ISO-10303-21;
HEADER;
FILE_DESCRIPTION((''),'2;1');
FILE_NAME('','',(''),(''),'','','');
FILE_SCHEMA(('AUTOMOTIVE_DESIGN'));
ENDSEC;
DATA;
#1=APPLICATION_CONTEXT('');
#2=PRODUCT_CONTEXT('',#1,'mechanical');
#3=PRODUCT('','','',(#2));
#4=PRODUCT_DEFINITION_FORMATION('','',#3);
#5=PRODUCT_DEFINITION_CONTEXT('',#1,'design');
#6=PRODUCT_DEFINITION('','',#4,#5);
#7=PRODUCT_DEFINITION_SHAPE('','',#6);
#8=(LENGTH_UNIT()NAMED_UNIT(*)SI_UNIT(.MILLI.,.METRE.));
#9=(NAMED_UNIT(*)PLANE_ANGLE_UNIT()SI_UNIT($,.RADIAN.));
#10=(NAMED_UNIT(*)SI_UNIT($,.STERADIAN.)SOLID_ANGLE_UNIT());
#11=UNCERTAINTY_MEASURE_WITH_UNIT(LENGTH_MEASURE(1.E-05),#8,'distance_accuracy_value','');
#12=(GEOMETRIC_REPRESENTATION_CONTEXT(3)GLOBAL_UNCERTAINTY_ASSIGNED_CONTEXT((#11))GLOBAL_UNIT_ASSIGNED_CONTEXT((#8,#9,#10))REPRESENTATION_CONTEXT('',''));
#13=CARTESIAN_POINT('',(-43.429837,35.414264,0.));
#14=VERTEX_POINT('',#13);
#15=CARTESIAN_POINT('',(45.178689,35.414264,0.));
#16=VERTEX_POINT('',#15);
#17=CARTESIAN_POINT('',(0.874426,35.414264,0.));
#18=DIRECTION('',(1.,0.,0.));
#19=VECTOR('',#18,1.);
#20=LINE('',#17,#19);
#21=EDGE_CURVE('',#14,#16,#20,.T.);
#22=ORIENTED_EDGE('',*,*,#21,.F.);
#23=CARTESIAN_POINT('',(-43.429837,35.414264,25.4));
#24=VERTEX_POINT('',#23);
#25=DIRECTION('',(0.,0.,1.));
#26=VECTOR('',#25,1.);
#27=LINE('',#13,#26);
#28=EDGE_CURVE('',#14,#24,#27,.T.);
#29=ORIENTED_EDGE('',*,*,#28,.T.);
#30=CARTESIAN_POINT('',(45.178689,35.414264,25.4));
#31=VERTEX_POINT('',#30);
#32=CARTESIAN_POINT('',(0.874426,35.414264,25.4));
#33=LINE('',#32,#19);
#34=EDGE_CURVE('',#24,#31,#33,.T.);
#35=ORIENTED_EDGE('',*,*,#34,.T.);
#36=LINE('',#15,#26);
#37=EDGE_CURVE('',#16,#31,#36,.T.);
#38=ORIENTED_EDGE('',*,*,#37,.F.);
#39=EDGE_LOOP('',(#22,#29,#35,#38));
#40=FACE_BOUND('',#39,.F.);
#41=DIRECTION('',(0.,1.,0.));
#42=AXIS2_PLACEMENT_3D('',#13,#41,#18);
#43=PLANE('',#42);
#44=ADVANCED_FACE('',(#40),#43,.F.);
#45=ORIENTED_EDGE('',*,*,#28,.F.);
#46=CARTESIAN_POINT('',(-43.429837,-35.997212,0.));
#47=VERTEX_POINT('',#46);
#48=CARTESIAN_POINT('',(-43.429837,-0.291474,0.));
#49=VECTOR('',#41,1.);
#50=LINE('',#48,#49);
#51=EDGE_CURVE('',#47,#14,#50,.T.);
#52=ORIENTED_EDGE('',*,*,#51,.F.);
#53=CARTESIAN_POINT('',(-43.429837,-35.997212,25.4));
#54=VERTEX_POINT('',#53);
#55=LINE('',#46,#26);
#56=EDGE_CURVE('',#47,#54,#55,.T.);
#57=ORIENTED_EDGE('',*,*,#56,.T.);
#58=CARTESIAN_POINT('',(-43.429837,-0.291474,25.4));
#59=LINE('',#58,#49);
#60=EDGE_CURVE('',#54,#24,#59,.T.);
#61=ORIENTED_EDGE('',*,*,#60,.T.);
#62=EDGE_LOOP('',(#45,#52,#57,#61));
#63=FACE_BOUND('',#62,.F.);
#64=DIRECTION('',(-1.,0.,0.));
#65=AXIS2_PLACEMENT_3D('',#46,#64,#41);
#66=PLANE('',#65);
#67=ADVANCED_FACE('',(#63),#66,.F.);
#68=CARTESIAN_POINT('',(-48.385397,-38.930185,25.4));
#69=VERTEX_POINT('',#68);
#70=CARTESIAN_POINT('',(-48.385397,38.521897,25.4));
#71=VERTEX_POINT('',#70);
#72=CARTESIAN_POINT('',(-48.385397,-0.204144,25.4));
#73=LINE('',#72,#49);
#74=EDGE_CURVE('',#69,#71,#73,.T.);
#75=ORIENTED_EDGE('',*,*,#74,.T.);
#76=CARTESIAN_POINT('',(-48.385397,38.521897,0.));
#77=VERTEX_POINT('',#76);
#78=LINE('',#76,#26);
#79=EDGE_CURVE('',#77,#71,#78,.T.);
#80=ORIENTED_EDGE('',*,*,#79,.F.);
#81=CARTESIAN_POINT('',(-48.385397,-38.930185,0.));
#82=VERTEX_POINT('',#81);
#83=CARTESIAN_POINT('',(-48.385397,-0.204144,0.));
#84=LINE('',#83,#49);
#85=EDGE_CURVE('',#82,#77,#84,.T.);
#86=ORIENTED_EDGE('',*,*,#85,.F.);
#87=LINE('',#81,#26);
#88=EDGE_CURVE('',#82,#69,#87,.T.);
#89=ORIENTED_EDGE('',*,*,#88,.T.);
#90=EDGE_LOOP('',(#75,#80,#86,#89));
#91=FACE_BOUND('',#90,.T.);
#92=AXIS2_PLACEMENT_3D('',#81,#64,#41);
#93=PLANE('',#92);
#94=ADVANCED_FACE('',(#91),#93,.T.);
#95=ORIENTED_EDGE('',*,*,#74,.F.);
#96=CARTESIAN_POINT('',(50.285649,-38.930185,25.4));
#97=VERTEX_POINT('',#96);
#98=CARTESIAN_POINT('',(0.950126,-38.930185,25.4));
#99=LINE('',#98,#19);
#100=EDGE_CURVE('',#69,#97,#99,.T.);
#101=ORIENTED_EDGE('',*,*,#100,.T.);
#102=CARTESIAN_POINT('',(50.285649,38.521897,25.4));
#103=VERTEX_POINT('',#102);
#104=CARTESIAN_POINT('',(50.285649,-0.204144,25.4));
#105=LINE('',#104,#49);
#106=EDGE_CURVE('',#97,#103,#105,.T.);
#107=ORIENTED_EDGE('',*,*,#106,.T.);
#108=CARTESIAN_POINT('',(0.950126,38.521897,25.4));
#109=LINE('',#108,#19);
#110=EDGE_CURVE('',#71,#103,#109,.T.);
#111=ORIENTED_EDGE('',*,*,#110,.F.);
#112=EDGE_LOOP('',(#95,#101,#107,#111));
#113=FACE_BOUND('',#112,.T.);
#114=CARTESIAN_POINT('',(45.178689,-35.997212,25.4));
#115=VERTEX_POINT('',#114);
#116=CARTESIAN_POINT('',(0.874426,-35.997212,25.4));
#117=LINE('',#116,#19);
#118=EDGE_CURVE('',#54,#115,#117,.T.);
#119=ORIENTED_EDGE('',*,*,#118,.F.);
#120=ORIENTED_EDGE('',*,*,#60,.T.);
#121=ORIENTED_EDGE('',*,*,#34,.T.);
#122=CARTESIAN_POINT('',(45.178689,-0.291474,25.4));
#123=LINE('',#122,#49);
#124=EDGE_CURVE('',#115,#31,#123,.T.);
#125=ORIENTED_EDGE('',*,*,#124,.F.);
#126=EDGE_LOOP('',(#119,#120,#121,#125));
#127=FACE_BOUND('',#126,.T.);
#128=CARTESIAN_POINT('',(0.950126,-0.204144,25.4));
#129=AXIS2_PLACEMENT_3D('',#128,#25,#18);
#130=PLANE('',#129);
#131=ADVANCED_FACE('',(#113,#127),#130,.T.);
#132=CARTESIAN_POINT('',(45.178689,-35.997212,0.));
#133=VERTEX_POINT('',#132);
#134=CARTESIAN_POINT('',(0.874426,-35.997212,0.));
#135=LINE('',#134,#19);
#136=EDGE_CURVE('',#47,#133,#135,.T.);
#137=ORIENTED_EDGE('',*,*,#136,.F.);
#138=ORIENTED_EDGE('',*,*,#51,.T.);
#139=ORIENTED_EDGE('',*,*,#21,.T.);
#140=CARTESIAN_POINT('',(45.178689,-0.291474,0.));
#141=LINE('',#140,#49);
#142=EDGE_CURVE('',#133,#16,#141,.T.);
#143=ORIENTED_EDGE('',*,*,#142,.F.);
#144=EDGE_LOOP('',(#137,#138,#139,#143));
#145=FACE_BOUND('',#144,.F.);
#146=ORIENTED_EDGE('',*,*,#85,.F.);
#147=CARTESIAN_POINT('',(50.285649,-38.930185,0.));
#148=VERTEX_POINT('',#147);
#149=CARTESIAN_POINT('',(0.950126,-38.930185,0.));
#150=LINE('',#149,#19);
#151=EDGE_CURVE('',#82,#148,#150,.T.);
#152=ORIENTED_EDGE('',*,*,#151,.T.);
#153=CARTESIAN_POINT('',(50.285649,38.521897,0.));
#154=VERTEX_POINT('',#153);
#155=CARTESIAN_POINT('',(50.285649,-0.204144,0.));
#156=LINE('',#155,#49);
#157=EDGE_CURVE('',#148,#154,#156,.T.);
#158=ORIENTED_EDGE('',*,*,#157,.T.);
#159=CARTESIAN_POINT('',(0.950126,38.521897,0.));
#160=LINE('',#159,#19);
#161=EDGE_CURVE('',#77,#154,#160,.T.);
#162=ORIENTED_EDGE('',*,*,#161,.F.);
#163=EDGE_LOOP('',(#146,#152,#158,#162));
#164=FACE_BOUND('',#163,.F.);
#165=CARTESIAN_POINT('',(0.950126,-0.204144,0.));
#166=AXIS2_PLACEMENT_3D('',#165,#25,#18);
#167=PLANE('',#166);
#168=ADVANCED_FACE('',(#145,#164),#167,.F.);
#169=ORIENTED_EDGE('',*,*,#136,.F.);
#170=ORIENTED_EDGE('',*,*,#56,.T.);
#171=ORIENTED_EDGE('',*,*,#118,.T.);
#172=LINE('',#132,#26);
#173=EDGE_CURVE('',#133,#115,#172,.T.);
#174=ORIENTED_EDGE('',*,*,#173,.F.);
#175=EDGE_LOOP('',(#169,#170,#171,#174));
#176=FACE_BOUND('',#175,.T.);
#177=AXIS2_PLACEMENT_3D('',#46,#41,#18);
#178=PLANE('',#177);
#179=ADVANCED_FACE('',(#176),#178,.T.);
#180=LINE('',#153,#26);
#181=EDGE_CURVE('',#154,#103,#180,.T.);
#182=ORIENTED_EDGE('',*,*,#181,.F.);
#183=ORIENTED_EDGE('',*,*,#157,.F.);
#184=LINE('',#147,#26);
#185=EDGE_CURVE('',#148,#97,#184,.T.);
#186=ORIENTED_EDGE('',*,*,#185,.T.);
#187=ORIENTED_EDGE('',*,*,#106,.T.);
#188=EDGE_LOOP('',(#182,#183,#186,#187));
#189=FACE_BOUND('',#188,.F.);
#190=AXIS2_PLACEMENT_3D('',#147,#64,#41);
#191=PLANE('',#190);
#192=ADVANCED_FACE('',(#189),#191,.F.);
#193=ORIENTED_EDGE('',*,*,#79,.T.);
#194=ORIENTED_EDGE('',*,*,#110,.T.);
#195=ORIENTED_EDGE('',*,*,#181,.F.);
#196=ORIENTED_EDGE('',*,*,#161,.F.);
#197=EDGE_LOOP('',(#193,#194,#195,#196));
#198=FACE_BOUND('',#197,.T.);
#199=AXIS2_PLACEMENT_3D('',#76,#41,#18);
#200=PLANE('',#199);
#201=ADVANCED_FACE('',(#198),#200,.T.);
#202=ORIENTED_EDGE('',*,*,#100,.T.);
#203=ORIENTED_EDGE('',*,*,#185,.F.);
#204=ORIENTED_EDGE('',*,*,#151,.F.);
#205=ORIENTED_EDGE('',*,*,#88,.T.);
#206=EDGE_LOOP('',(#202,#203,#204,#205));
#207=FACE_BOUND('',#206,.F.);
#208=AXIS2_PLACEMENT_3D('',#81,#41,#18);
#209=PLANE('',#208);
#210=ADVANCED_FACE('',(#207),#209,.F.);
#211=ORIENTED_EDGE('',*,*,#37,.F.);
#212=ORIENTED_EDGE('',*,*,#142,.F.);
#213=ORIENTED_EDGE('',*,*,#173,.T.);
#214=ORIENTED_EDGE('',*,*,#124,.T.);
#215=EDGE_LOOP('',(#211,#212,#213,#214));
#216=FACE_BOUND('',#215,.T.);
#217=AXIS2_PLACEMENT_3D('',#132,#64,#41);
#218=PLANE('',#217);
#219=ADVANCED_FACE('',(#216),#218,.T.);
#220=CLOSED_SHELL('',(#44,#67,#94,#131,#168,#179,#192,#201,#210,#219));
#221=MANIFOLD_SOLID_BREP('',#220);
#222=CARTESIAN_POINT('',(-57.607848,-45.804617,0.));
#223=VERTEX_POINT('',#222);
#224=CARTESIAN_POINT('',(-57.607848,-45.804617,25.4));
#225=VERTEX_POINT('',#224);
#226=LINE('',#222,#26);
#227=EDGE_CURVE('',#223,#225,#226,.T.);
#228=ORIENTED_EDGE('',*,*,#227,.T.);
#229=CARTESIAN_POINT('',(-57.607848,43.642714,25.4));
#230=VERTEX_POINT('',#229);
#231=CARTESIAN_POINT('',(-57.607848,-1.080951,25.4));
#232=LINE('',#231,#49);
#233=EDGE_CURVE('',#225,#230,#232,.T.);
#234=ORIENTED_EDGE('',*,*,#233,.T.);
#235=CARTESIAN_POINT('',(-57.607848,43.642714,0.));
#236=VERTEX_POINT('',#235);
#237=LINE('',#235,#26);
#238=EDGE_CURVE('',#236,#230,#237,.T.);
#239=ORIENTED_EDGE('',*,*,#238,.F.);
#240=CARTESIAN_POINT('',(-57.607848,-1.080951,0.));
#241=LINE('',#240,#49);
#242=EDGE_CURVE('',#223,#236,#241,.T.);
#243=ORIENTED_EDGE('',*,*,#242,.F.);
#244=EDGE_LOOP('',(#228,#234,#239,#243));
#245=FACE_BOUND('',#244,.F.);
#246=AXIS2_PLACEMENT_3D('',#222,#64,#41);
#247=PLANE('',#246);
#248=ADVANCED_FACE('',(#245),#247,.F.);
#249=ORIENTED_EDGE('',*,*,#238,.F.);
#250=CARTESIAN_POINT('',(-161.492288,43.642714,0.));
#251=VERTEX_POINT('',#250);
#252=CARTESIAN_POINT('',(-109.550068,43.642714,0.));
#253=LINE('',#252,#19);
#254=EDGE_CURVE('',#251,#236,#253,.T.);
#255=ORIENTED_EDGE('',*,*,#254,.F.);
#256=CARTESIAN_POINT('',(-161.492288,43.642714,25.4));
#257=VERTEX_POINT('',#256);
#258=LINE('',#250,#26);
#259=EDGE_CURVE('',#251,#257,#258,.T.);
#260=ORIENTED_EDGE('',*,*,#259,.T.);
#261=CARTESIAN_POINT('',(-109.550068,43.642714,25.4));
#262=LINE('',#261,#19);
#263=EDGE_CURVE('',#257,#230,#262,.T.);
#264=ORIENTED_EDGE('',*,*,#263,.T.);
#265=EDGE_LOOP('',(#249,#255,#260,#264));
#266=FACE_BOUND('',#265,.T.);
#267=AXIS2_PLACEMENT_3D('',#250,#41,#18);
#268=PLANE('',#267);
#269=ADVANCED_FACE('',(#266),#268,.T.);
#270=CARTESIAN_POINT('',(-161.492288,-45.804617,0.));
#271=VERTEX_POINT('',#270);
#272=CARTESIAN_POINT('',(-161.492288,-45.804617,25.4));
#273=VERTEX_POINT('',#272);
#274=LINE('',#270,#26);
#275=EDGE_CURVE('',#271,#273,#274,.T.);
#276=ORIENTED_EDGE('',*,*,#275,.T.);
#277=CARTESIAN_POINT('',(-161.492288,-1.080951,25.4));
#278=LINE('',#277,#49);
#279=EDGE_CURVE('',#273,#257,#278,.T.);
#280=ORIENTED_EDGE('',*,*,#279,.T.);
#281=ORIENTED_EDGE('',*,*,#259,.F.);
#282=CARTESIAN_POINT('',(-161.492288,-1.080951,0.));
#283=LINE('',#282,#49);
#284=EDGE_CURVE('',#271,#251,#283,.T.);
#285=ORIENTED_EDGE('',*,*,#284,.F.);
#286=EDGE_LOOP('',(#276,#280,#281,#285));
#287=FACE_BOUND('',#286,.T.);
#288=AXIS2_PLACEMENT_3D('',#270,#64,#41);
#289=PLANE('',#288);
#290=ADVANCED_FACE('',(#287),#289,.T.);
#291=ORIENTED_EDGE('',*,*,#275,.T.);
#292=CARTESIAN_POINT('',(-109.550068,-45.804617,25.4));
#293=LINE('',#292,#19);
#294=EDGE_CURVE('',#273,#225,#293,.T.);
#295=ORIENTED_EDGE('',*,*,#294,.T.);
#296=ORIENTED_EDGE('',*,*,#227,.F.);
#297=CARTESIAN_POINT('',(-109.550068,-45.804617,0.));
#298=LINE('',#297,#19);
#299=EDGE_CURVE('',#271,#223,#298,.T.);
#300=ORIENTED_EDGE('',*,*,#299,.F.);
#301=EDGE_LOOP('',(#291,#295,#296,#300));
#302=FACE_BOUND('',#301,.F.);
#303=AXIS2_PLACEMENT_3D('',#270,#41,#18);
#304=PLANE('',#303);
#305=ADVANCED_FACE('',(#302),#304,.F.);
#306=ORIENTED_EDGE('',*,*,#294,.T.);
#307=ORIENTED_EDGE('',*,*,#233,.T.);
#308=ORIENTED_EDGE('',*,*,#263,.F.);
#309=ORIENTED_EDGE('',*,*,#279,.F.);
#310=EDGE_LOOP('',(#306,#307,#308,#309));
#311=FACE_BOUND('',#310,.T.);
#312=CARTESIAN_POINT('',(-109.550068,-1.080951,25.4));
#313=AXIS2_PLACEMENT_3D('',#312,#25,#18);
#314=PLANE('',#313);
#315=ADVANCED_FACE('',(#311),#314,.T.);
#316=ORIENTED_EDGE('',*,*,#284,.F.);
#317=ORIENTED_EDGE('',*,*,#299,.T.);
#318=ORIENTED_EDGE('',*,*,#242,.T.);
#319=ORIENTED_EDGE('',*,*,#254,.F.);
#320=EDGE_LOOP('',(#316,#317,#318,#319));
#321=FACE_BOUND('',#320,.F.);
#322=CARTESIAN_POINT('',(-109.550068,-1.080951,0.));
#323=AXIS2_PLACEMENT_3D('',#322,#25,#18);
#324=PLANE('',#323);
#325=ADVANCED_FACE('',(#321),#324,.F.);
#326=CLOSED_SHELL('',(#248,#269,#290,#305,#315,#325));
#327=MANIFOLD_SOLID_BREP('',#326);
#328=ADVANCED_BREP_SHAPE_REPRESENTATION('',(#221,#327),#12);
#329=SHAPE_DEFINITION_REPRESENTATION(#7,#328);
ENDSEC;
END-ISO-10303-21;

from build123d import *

# Parameters (mm, degrees)
F0_W     = 98.671046
F0_H     = 77.452082
F0_W_2   = 88.608526
F0_H_2   = 71.411476
F1_DEPTH = 25.4
F2_W     = 103.88444
F2_H     = 89.447331
F3_DEPTH = 25.4


with BuildPart() as f1:
    # F0 (on Top) → F1 (new body)
    with BuildSketch(Plane.XY):
        with Locations((0.950126, -0.204144)):
            Rectangle(F0_W, F0_H)
        with Locations((0.874426, -0.291474)):
            Rectangle(F0_W_2, F0_H_2, mode=Mode.SUBTRACT)
    extrude(amount=F1_DEPTH)


with BuildPart() as f3:
    # F2 (on Top) → F3 (new body)
    with BuildSketch(Plane.XY):
        with Locations((-109.550068, -1.080951)):
            Rectangle(F2_W, F2_H)
    extrude(amount=F3_DEPTH)


solid = Compound([f1.part, f3.part])
